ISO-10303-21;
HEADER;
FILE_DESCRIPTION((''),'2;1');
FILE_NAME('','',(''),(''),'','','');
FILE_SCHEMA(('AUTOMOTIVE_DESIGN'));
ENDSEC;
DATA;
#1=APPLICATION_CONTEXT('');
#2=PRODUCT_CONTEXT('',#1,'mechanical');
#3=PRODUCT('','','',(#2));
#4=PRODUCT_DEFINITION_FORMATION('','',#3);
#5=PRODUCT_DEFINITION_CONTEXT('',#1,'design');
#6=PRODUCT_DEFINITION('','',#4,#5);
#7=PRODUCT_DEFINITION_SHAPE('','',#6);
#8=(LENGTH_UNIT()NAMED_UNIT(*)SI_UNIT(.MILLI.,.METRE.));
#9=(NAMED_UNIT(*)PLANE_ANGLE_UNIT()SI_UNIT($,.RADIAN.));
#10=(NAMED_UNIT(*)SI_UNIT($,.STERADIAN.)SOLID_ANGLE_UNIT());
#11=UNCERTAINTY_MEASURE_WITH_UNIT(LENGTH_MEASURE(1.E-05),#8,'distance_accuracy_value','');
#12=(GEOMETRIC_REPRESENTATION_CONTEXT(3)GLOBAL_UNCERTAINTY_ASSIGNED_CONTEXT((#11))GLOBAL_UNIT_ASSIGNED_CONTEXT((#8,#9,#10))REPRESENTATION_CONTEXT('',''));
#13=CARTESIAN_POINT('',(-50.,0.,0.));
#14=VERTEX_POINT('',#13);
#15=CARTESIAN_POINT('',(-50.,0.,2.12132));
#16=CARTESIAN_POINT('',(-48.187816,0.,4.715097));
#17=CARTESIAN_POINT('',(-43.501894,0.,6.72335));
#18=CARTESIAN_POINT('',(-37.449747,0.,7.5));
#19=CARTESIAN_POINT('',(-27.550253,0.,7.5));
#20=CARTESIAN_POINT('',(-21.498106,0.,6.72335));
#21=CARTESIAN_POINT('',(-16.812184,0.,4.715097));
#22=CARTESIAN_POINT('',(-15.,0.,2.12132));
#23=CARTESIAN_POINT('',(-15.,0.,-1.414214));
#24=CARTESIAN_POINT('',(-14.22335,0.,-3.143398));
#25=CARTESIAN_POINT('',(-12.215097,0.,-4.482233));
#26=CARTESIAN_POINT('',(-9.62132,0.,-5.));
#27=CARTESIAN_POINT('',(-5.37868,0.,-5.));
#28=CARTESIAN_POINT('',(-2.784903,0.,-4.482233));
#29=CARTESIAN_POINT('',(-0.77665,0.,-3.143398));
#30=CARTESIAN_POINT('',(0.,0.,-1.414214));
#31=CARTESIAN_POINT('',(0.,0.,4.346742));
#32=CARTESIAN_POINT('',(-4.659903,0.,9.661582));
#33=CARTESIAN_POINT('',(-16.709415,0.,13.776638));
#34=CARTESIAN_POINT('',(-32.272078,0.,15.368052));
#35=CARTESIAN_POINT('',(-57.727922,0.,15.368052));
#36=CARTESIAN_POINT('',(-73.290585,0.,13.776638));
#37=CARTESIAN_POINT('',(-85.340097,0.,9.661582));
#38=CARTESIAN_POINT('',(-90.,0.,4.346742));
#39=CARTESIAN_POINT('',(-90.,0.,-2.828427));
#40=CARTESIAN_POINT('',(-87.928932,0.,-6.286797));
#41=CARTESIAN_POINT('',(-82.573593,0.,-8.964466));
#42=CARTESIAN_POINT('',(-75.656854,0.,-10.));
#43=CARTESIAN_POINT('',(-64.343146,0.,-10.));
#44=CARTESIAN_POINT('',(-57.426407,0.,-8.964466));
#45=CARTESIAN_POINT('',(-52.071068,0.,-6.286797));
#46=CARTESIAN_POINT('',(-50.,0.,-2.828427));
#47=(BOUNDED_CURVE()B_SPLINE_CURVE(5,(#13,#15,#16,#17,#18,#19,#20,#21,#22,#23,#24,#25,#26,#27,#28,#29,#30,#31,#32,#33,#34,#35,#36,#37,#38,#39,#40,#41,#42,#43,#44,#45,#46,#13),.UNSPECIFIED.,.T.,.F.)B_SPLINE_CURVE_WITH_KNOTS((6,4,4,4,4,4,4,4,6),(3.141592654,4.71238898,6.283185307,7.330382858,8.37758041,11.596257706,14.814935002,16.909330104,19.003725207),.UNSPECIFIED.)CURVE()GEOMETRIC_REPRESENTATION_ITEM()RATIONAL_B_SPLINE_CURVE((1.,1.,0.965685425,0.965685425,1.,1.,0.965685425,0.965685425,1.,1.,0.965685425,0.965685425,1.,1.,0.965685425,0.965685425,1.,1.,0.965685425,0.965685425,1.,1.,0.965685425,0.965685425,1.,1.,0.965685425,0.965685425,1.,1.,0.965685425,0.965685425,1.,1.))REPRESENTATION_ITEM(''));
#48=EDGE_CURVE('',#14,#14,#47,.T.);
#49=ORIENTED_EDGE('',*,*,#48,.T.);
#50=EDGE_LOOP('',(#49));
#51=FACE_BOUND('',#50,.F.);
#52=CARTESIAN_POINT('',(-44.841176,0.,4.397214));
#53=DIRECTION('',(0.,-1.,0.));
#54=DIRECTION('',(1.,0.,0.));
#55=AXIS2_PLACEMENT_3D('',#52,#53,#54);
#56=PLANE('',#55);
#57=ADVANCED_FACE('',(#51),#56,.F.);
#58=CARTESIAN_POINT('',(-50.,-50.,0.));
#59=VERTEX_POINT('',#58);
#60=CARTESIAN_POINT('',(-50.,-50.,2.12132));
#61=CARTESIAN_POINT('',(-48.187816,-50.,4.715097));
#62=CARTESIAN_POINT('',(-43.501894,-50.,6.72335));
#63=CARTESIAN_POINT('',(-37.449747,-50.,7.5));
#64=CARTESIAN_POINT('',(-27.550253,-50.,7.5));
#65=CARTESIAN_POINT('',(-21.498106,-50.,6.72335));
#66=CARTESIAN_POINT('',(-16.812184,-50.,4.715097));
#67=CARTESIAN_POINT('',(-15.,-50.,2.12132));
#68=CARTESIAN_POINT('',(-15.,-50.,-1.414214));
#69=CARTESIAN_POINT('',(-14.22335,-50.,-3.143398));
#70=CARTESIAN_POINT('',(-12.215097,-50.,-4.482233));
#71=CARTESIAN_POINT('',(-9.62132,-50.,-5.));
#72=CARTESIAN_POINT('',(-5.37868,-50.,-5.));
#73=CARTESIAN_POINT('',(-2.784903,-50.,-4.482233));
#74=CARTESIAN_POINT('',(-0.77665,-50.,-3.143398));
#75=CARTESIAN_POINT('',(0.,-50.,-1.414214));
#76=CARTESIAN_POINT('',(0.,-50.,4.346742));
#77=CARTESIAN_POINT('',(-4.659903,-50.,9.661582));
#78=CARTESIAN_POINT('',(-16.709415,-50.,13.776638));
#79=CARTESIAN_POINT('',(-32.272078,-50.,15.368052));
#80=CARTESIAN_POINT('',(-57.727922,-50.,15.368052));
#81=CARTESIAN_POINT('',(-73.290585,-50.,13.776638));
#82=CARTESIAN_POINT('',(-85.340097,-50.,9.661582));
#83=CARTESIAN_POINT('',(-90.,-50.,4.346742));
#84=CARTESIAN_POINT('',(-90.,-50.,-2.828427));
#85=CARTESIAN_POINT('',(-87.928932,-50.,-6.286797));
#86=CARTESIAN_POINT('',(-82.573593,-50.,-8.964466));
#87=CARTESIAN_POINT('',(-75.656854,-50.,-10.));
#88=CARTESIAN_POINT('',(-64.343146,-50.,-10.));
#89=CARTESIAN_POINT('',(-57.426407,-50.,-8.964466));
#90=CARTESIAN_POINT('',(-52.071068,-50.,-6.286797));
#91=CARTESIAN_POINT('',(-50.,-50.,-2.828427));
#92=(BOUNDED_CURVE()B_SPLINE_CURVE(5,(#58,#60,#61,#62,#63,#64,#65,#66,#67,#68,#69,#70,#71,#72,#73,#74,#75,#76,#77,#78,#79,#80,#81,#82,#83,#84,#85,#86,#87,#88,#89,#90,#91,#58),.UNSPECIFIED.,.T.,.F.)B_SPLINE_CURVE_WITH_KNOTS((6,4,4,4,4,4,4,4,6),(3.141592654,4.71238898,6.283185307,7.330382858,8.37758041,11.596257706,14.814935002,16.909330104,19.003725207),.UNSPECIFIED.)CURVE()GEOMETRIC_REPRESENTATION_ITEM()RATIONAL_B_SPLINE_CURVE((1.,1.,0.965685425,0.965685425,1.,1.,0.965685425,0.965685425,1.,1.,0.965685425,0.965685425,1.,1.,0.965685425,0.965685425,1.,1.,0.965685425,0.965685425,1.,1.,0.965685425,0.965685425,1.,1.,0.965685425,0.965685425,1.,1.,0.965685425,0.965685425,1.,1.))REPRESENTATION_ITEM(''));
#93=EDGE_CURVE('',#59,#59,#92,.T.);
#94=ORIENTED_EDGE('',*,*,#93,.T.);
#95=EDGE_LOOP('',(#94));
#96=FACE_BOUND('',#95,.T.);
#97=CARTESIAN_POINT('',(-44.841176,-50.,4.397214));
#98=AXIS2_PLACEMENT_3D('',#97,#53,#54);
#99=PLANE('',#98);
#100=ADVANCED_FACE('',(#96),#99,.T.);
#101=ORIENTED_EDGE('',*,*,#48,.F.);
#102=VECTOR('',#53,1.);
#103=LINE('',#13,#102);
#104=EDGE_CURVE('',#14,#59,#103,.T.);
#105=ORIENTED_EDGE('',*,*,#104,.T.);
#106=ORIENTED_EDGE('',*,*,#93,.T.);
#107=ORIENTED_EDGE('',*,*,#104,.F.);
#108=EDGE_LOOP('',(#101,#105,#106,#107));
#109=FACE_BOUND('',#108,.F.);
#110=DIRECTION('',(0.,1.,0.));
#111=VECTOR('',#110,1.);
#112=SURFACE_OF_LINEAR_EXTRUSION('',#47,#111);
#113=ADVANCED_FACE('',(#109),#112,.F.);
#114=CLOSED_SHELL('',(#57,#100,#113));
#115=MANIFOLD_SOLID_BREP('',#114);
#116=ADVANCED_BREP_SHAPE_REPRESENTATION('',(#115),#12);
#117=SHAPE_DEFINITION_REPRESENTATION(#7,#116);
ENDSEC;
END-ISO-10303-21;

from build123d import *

# Parameters (mm, degrees)
F1_DEPTH = 50


with BuildPart() as f1:
    # F0 (on Front) → F1 (new body)
    with BuildSketch(Plane.XZ):
        with BuildLine():
            add(Edge.make_bspline(
                [(-15, 0), (-15, -5), (-7.5, -5), (0, -5), (0, 0)],
                knots=[0, 0, 0, 1.5707963268, 1.5707963268, 3.1415926536, 3.1415926536, 3.1415926536], degree=2, weights=[1, 0.7071067812, 1, 0.7071067812, 1]))
            add(Edge.make_bspline(
                [(0, 0), (0, 15.3680520568), (-45, 15.3680520568), (-90, 15.3680520568), (-90, 0)],
                knots=[0, 0, 0, 1.5707963268, 1.5707963268, 3.1415926536, 3.1415926536, 3.1415926536], degree=2, weights=[1, 0.7071067812, 1, 0.7071067812, 1]))
            add(Edge.make_bspline(
                [(-90, 0), (-90, -10), (-70, -10), (-50, -10), (-50, 0)],
                knots=[0, 0, 0, 1.5707963268, 1.5707963268, 3.1415926536, 3.1415926536, 3.1415926536], degree=2, weights=[1, 0.7071067812, 1, 0.7071067812, 1]))
            add(Edge.make_bspline(
                [(-15, 0), (-15, 7.5), (-32.5, 7.5), (-50, 7.5), (-50, 0)],
                knots=[3.1415926536, 3.1415926536, 3.1415926536, 4.7123889804, 4.7123889804, 6.2831853072, 6.2831853072, 6.2831853072], degree=2, weights=[1, 0.7071067812, 1, 0.7071067812, 1]))
        make_face()
    extrude(amount=F1_DEPTH)


solid = f1.part
